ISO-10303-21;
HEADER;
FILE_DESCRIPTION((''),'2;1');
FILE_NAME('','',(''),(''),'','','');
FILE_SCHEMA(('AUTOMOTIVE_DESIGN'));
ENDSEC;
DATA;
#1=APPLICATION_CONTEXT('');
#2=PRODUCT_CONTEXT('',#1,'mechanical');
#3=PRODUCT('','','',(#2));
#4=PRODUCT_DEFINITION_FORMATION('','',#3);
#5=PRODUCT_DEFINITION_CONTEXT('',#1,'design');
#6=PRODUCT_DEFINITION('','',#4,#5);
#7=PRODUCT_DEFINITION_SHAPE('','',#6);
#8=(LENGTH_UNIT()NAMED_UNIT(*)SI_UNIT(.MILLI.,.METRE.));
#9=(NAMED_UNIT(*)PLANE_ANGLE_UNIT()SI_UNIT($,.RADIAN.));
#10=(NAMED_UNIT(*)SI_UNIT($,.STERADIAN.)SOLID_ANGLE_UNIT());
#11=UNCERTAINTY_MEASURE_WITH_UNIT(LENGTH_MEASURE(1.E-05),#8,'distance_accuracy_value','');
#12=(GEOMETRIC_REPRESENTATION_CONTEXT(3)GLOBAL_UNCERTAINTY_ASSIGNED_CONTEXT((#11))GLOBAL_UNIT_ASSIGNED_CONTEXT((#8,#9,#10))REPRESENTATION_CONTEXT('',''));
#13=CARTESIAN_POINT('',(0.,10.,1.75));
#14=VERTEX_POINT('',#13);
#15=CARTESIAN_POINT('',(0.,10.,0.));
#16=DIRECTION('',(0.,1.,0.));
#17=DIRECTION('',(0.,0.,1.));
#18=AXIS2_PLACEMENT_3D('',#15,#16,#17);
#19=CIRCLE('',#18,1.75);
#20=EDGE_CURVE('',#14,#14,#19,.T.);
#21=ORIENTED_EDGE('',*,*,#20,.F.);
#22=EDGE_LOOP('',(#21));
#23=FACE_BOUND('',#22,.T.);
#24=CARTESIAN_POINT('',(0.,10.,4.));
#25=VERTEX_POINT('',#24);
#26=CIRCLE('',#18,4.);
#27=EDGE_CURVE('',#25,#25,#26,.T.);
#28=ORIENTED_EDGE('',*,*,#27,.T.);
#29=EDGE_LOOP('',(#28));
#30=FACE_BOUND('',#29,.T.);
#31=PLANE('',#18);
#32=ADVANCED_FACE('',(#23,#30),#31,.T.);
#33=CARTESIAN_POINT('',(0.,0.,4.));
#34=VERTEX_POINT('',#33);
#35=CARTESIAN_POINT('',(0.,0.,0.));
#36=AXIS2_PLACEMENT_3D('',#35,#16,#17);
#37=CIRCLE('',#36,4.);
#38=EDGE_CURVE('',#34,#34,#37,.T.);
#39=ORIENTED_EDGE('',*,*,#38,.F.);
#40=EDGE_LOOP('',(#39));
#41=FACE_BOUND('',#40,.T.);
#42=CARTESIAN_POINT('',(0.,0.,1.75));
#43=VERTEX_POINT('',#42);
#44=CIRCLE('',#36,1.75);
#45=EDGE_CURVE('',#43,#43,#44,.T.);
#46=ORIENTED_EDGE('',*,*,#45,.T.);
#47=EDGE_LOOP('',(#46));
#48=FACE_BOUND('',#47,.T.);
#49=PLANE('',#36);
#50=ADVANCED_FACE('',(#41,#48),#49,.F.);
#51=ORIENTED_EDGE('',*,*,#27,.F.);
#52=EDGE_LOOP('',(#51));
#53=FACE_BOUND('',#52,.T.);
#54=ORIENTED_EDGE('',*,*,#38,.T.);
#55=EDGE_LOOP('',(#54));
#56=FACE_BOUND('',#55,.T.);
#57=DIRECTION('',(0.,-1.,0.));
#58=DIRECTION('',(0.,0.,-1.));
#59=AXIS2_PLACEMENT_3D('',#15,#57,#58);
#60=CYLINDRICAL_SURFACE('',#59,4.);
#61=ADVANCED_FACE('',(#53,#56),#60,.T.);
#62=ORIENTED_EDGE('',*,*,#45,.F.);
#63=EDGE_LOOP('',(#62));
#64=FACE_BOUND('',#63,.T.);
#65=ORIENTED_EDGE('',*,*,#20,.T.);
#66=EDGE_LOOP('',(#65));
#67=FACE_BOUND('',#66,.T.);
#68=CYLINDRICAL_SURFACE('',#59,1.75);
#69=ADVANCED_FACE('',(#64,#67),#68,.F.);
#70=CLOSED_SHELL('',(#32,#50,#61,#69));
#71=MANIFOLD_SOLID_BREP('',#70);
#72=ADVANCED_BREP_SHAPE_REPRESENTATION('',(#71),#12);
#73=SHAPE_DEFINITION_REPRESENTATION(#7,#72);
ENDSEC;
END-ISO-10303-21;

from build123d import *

# Parameters (mm, degrees)
SKETCH_1_R      = 4
SKETCH_1_R_2    = 1.75
EXTRUDE_1_DEPTH = 10


with BuildPart() as part:
    # Эскиз1 → Бобышка-Вытянуть1 (new body)
    with BuildSketch(Plane(origin=(0, 0, 0), x_dir=(1, 0, 0), z_dir=(0, 1, 0))):
        Circle(SKETCH_1_R)
        Circle(SKETCH_1_R_2, mode=Mode.SUBTRACT)
    extrude(amount=EXTRUDE_1_DEPTH)


solid = part.part
